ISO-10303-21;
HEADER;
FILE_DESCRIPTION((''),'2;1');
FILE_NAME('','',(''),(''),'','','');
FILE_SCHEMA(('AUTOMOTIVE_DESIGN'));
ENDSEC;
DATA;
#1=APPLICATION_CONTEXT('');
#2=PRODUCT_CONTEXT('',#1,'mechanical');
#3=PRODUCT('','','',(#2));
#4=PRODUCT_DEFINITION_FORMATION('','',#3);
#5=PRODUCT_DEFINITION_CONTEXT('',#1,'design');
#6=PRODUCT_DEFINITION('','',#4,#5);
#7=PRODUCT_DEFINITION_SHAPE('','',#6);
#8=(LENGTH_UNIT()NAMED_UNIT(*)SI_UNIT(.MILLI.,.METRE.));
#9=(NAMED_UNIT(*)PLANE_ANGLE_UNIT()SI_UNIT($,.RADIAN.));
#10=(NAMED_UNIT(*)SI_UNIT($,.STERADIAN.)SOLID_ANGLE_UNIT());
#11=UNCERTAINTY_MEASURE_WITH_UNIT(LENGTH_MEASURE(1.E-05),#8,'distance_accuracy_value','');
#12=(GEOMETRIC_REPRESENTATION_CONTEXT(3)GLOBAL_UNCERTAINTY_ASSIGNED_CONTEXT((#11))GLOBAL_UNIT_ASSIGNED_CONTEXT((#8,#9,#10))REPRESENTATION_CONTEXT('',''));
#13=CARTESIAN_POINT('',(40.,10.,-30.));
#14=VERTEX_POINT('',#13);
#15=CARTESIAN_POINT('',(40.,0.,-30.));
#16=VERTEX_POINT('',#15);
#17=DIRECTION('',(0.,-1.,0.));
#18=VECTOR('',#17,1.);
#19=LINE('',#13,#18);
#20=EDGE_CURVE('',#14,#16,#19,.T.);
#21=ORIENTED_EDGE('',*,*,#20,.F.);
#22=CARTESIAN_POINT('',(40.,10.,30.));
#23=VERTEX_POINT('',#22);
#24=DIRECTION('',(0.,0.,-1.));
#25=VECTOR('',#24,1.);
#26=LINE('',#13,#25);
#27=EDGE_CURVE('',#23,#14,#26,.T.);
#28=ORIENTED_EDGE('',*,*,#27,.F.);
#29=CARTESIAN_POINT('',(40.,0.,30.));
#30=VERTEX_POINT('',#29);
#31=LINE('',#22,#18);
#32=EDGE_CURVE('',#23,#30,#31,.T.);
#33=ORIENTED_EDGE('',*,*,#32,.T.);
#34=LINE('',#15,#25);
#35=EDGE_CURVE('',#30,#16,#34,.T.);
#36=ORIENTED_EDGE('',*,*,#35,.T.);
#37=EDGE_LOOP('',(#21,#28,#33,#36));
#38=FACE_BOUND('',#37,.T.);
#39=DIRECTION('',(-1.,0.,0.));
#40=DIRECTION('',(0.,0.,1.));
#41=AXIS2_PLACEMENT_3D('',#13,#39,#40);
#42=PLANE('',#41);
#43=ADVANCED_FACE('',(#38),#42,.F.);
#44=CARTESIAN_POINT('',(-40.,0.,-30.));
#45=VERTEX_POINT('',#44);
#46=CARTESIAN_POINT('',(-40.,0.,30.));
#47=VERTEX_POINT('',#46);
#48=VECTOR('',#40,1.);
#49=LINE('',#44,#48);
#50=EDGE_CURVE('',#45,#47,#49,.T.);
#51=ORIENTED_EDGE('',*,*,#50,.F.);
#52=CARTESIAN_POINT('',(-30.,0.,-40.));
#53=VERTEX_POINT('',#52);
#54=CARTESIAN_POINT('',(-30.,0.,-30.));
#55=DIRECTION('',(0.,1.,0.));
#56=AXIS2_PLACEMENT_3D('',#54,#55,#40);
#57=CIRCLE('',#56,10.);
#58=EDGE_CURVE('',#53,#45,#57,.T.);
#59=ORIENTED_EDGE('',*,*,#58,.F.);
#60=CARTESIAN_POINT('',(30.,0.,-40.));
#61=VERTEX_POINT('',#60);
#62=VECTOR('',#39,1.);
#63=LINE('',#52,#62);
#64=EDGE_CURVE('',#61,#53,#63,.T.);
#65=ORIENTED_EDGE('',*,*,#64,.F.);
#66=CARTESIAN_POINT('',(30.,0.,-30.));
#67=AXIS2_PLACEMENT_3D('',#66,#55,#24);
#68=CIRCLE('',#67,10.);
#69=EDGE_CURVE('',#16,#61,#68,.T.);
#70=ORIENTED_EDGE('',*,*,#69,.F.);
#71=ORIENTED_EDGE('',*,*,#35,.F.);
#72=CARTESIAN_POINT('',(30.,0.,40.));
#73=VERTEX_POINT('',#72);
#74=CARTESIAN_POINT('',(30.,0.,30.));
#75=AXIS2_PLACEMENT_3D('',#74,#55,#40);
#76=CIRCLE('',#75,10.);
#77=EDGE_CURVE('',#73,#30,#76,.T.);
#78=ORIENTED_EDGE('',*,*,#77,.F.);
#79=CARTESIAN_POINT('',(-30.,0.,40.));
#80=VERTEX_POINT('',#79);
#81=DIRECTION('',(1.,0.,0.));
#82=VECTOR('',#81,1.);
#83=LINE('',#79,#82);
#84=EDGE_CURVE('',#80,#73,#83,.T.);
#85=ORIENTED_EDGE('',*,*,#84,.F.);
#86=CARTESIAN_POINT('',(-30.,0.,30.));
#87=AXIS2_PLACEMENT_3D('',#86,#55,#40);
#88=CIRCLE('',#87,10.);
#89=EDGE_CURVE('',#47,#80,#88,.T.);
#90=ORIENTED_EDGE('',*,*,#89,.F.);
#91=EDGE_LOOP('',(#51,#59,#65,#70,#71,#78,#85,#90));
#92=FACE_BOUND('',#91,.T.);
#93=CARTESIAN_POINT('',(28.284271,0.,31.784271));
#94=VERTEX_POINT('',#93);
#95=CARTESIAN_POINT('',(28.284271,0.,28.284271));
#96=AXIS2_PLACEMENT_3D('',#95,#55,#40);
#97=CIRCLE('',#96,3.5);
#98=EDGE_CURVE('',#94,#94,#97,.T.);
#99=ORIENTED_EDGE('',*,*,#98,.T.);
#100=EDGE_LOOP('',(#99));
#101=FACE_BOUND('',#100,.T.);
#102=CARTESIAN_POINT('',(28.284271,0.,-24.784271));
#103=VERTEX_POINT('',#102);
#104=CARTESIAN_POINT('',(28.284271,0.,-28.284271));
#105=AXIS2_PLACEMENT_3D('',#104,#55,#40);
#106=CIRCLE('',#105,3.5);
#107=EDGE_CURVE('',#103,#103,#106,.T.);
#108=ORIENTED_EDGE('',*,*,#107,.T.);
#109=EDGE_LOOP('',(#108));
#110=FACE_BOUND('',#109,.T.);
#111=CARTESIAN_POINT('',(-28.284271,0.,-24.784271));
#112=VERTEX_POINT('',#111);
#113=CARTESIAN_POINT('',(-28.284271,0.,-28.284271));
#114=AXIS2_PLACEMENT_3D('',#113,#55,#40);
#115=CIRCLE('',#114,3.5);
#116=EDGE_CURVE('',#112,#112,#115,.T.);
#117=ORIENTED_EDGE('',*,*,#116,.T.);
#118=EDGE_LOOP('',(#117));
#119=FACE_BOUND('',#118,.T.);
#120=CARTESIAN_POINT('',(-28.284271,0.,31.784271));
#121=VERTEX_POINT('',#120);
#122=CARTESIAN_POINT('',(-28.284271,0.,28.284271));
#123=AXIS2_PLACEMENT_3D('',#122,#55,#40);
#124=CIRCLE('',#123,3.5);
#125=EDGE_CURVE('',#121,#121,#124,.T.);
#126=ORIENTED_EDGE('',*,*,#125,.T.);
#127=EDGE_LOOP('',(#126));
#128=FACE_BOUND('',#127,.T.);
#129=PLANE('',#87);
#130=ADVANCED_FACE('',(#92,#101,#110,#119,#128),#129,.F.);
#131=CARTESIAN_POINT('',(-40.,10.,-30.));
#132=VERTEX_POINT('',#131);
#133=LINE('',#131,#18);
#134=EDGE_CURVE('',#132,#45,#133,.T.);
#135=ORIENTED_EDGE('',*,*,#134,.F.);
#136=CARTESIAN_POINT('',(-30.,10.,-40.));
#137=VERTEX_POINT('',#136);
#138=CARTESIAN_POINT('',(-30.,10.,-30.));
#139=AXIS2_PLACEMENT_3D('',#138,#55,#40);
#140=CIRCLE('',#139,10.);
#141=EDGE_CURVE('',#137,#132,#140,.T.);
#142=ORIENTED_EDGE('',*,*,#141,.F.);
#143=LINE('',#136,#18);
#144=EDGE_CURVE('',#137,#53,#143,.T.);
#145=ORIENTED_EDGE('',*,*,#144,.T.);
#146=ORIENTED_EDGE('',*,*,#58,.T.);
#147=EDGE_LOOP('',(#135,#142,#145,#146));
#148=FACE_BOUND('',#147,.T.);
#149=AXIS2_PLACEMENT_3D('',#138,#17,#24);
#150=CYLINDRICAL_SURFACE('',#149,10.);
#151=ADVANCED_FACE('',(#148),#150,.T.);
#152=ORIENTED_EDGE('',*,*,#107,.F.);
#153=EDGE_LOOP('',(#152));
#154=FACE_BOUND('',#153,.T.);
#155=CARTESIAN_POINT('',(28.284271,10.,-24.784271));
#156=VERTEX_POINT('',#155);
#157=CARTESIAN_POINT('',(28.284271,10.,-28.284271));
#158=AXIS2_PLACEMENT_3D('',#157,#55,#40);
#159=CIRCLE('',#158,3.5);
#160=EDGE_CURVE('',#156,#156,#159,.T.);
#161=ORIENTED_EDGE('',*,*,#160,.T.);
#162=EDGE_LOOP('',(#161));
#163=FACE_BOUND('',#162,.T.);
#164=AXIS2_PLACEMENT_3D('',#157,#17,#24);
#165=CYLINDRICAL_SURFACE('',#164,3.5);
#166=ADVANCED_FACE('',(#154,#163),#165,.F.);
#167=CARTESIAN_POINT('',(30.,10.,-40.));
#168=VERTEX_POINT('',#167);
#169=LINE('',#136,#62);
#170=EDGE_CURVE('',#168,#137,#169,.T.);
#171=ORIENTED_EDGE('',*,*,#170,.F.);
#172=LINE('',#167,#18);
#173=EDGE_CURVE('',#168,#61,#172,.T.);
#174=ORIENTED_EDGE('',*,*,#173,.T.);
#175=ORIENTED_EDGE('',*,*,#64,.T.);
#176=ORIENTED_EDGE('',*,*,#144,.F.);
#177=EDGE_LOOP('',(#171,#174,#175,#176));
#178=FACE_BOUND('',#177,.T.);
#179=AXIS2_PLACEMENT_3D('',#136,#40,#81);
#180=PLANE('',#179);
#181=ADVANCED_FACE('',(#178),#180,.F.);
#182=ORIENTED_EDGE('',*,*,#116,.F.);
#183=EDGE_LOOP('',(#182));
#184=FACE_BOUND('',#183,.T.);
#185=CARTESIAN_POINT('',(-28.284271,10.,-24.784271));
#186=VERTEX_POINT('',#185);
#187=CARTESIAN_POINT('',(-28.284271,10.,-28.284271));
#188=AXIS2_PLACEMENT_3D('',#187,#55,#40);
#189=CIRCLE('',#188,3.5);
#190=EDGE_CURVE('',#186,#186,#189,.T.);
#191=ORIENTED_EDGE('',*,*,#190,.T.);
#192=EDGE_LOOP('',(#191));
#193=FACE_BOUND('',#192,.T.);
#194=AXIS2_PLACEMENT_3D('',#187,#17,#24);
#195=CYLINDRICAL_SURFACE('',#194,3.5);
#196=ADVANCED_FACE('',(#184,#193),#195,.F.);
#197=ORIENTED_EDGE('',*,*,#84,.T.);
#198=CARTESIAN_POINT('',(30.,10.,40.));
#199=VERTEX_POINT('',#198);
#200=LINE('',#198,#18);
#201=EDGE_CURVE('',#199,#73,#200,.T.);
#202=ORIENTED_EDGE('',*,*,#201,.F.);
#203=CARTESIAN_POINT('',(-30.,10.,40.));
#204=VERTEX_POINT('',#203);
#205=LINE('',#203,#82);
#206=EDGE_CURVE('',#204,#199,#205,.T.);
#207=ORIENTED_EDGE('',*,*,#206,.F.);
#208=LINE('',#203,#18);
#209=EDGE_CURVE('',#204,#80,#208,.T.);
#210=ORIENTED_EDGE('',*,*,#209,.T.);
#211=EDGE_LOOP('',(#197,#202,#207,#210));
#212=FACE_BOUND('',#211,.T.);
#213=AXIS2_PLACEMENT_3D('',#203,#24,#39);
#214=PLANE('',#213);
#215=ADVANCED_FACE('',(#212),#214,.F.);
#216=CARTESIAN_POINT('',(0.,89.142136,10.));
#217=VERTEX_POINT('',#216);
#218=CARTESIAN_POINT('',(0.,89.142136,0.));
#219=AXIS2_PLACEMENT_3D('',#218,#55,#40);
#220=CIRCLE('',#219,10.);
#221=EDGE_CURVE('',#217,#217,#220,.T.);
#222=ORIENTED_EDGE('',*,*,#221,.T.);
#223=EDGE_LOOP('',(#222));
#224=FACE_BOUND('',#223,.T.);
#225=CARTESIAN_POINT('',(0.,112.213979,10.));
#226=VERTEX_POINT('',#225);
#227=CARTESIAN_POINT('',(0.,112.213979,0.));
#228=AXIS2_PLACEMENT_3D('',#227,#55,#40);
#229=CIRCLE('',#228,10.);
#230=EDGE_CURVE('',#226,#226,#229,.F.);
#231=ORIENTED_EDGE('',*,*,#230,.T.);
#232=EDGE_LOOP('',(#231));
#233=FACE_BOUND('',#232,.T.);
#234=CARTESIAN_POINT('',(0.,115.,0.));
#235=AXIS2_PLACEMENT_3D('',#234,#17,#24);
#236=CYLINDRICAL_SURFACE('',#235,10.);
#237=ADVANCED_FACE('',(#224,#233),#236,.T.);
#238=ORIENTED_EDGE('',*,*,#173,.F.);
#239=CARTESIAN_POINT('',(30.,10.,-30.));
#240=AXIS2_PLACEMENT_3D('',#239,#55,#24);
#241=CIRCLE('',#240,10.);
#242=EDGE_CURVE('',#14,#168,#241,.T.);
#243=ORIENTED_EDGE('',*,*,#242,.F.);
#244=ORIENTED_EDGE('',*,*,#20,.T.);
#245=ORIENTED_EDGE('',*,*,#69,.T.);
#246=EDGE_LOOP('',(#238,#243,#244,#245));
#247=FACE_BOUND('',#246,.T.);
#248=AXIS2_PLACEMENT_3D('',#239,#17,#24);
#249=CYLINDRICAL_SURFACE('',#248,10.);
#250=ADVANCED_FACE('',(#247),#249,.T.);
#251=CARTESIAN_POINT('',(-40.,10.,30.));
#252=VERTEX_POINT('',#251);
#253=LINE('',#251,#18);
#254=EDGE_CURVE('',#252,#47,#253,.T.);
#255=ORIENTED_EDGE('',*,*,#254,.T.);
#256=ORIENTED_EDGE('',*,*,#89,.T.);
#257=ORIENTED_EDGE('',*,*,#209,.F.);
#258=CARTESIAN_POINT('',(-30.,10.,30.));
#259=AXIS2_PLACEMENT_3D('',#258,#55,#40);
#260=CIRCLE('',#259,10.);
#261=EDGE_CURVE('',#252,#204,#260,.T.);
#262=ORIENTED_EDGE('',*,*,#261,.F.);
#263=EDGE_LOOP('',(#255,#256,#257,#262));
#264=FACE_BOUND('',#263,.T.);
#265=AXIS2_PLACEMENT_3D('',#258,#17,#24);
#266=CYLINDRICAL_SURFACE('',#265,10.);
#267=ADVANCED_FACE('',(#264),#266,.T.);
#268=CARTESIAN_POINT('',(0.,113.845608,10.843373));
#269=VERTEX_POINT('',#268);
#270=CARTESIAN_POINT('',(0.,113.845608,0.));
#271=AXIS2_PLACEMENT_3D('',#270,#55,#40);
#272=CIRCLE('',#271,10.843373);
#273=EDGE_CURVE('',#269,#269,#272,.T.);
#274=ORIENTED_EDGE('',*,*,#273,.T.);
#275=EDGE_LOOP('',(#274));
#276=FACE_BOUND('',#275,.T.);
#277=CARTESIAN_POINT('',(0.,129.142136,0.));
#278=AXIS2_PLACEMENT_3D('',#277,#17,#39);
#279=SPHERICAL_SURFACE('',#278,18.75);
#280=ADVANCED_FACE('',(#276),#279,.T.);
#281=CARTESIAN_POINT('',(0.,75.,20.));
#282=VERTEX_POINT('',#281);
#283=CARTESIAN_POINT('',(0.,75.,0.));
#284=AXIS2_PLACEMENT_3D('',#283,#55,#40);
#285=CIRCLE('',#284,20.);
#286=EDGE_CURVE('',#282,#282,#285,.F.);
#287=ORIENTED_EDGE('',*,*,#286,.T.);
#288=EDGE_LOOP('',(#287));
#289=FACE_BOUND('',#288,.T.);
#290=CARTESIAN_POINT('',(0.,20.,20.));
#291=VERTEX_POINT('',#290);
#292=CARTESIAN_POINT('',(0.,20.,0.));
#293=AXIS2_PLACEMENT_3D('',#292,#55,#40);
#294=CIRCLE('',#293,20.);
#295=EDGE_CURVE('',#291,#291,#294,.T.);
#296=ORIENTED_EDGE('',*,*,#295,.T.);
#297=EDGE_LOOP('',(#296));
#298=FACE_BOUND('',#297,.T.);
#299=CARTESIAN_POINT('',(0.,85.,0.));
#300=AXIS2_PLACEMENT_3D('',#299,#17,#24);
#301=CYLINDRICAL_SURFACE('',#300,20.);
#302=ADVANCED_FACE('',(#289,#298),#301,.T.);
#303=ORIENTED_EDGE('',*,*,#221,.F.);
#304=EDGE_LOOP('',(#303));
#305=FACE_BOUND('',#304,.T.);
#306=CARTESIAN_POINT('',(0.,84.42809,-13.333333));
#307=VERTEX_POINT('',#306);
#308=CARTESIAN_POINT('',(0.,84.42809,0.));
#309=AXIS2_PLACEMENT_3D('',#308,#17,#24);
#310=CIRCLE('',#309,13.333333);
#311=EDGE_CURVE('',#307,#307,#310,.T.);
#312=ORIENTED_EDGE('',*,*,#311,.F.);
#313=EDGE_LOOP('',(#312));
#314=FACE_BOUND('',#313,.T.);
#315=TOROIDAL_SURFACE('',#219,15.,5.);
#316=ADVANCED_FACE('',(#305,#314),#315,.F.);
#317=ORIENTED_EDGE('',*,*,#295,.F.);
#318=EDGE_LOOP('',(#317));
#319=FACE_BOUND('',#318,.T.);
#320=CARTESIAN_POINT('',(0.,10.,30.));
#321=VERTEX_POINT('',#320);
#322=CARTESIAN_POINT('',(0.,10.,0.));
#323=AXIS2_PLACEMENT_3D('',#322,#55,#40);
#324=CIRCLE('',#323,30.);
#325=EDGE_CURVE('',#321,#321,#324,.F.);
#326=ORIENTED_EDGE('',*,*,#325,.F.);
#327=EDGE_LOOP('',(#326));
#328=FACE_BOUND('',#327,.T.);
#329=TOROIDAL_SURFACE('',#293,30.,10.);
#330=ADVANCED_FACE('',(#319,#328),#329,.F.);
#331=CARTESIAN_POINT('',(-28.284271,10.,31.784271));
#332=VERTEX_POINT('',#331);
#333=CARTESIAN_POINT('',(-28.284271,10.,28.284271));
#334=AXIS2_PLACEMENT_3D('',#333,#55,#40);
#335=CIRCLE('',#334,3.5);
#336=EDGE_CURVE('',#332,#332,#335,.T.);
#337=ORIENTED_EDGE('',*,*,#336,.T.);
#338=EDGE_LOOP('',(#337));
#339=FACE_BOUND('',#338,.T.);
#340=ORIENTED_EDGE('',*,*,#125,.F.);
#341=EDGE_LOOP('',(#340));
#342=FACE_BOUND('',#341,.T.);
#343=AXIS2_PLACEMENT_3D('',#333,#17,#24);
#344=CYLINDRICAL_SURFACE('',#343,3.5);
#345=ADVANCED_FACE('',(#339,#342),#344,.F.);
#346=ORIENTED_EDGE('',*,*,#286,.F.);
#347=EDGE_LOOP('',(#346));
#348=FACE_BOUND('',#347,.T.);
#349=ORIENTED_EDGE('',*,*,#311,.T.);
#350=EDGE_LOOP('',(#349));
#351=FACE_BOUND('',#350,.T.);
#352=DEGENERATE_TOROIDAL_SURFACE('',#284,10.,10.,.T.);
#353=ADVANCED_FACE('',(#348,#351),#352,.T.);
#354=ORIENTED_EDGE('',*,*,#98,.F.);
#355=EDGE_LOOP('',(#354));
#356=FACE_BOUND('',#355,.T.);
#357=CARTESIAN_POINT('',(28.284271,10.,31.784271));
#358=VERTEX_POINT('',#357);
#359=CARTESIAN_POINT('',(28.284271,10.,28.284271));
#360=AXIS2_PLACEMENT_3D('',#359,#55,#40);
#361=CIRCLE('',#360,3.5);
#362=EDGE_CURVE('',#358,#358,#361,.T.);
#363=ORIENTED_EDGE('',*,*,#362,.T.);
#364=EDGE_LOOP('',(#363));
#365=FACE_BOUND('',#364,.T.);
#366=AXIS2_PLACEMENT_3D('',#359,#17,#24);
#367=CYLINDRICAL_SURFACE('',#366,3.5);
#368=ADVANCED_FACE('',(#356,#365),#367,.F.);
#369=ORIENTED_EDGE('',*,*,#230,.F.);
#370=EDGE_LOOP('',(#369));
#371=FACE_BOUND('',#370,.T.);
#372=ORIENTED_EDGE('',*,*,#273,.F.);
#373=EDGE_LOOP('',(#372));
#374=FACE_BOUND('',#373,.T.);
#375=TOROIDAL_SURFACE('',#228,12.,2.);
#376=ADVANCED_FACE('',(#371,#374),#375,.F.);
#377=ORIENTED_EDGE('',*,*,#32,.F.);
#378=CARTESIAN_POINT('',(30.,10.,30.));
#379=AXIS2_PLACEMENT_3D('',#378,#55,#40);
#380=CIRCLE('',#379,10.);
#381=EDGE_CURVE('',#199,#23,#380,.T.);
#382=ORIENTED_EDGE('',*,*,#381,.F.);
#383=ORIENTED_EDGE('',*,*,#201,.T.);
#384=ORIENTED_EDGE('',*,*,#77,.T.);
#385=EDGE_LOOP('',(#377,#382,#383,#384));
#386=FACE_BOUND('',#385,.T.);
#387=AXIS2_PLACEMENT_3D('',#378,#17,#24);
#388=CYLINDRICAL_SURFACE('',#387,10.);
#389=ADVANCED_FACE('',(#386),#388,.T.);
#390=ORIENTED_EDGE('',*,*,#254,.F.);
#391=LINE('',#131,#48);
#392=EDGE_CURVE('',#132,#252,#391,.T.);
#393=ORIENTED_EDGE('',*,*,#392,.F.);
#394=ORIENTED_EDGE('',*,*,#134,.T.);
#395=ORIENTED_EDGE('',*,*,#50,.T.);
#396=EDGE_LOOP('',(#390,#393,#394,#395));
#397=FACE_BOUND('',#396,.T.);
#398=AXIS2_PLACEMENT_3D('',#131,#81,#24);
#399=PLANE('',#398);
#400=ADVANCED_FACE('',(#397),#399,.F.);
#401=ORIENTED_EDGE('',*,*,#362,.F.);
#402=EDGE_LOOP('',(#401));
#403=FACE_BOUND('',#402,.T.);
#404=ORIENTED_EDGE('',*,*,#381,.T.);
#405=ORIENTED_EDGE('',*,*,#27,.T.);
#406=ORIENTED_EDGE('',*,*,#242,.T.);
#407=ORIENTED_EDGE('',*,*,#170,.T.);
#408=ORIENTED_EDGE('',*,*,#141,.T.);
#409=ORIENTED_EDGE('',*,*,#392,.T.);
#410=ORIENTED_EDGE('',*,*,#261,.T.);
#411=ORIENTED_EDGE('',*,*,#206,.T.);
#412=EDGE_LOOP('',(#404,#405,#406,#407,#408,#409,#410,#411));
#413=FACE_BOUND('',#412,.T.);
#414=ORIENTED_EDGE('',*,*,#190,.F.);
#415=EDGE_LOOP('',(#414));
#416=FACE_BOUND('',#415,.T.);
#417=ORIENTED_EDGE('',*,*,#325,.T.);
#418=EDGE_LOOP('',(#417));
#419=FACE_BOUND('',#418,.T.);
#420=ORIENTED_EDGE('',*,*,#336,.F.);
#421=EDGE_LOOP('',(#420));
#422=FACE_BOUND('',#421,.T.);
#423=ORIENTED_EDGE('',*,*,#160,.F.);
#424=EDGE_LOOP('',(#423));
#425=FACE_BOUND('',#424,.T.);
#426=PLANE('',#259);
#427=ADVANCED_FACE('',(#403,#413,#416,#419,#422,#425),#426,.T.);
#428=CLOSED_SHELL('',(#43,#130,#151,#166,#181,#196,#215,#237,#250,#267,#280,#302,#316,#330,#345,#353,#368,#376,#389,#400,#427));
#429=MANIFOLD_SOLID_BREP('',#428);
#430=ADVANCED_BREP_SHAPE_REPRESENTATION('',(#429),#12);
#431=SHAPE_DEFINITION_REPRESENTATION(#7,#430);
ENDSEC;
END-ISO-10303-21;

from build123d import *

# Parameters (mm, degrees)
SKETCH1_R           = 3.5
BOSS_EXTRUDE1_DEPTH = 10
SKETCH2_R           = 20
BOSS_EXTRUDE2_DEPTH = 75
FILLET1_R           = 10
SKETCH3_R           = 10
BOSS_EXTRUDE3_DEPTH = 30
FILLET2_R           = 5
FILLET3_R           = 2


with BuildPart() as part:
    # Sketch1 → Boss-Extrude1 (new body)
    with BuildSketch(Plane(origin=(0, 0, 0), x_dir=(1, 0, 0), z_dir=(0, 1, 0))):
        with BuildLine():
            Line((-30, 40), (30, 40))
            ThreePointArc((30, 40), (37.071067812, 37.071067812), (40, 30))
            Line((40, 30), (40, -30))
            ThreePointArc((40, -30), (37.071067812, -37.071067812), (30, -40))
            Line((30, -40), (-30, -40))
            ThreePointArc((-30, -40), (-37.071067812, -37.071067812), (-40, -30))
            Line((-40, -30), (-40, 30))
            ThreePointArc((-40, 30), (-37.071067812, 37.071067812), (-30, 40))
        make_face()
        with Locations(Location((-28.284271247, 28.284271247, 0), (0, 0, 270))):
            Circle(SKETCH1_R, mode=Mode.SUBTRACT)
        with Locations(Location((28.284271247, 28.284271247, 0), (0, 0, 270))):
            Circle(SKETCH1_R, mode=Mode.SUBTRACT)
        with Locations(Location((28.284271247, -28.284271247, 0), (0, 0, 270))):
            Circle(SKETCH1_R, mode=Mode.SUBTRACT)
        with Locations(Location((-28.284271247, -28.284271247, 0), (0, 0, 270))):
            Circle(SKETCH1_R, mode=Mode.SUBTRACT)
    extrude(amount=BOSS_EXTRUDE1_DEPTH)

    # Sketch2 → Boss-Extrude2 (add)
    with BuildSketch(Plane(origin=(0, 10, 0), x_dir=(1, 0, 0), z_dir=(0, 1, 0))):
        with Locations(Location((0, 0, 0), (0, 0, 270))):
            Circle(SKETCH2_R)
    extrude(amount=BOSS_EXTRUDE2_DEPTH)

    # Fillet1
    fillet1_edges = [part.edges().sort_by_distance(p)[0] for p in [
        (0, 10, -20),
        (0, 85, -20),
    ]]
    fillet(fillet1_edges, radius=FILLET1_R)

    # Sketch3 → Boss-Extrude3 (add)
    with BuildSketch(Plane(origin=(0, 85, 0), x_dir=(1, 0, 0), z_dir=(0, 1, 0))):
        with Locations(Location((0, 0, 0), (0, 0, 270))):
            Circle(SKETCH3_R)
    extrude(amount=BOSS_EXTRUDE3_DEPTH)

    # Fillet2
    fillet2_edges = [part.edges().sort_by_distance(p)[0] for p in [
        (0, 85, -10),
    ]]
    fillet(fillet2_edges, radius=FILLET2_R)

    # Sketch4 → Revolve1 (revolve)
    with BuildSketch(Plane.XY):
        with BuildLine():
            Line((0, 110.392135624), (0, 147.892135624))
            ThreePointArc((0, 147.892135624), (18.75, 129.142135624), (0, 110.392135624))
        make_face()
    revolve(axis=Axis((0, 115, 0), (0, 1, 0)))

    # Fillet3
    fillet3_edges = [part.edges().sort_by_distance(p)[0] for p in [
        (-7.071067812, 113.281413698, -7.071067812),
    ]]
    fillet(fillet3_edges, radius=FILLET3_R)


solid = part.part
